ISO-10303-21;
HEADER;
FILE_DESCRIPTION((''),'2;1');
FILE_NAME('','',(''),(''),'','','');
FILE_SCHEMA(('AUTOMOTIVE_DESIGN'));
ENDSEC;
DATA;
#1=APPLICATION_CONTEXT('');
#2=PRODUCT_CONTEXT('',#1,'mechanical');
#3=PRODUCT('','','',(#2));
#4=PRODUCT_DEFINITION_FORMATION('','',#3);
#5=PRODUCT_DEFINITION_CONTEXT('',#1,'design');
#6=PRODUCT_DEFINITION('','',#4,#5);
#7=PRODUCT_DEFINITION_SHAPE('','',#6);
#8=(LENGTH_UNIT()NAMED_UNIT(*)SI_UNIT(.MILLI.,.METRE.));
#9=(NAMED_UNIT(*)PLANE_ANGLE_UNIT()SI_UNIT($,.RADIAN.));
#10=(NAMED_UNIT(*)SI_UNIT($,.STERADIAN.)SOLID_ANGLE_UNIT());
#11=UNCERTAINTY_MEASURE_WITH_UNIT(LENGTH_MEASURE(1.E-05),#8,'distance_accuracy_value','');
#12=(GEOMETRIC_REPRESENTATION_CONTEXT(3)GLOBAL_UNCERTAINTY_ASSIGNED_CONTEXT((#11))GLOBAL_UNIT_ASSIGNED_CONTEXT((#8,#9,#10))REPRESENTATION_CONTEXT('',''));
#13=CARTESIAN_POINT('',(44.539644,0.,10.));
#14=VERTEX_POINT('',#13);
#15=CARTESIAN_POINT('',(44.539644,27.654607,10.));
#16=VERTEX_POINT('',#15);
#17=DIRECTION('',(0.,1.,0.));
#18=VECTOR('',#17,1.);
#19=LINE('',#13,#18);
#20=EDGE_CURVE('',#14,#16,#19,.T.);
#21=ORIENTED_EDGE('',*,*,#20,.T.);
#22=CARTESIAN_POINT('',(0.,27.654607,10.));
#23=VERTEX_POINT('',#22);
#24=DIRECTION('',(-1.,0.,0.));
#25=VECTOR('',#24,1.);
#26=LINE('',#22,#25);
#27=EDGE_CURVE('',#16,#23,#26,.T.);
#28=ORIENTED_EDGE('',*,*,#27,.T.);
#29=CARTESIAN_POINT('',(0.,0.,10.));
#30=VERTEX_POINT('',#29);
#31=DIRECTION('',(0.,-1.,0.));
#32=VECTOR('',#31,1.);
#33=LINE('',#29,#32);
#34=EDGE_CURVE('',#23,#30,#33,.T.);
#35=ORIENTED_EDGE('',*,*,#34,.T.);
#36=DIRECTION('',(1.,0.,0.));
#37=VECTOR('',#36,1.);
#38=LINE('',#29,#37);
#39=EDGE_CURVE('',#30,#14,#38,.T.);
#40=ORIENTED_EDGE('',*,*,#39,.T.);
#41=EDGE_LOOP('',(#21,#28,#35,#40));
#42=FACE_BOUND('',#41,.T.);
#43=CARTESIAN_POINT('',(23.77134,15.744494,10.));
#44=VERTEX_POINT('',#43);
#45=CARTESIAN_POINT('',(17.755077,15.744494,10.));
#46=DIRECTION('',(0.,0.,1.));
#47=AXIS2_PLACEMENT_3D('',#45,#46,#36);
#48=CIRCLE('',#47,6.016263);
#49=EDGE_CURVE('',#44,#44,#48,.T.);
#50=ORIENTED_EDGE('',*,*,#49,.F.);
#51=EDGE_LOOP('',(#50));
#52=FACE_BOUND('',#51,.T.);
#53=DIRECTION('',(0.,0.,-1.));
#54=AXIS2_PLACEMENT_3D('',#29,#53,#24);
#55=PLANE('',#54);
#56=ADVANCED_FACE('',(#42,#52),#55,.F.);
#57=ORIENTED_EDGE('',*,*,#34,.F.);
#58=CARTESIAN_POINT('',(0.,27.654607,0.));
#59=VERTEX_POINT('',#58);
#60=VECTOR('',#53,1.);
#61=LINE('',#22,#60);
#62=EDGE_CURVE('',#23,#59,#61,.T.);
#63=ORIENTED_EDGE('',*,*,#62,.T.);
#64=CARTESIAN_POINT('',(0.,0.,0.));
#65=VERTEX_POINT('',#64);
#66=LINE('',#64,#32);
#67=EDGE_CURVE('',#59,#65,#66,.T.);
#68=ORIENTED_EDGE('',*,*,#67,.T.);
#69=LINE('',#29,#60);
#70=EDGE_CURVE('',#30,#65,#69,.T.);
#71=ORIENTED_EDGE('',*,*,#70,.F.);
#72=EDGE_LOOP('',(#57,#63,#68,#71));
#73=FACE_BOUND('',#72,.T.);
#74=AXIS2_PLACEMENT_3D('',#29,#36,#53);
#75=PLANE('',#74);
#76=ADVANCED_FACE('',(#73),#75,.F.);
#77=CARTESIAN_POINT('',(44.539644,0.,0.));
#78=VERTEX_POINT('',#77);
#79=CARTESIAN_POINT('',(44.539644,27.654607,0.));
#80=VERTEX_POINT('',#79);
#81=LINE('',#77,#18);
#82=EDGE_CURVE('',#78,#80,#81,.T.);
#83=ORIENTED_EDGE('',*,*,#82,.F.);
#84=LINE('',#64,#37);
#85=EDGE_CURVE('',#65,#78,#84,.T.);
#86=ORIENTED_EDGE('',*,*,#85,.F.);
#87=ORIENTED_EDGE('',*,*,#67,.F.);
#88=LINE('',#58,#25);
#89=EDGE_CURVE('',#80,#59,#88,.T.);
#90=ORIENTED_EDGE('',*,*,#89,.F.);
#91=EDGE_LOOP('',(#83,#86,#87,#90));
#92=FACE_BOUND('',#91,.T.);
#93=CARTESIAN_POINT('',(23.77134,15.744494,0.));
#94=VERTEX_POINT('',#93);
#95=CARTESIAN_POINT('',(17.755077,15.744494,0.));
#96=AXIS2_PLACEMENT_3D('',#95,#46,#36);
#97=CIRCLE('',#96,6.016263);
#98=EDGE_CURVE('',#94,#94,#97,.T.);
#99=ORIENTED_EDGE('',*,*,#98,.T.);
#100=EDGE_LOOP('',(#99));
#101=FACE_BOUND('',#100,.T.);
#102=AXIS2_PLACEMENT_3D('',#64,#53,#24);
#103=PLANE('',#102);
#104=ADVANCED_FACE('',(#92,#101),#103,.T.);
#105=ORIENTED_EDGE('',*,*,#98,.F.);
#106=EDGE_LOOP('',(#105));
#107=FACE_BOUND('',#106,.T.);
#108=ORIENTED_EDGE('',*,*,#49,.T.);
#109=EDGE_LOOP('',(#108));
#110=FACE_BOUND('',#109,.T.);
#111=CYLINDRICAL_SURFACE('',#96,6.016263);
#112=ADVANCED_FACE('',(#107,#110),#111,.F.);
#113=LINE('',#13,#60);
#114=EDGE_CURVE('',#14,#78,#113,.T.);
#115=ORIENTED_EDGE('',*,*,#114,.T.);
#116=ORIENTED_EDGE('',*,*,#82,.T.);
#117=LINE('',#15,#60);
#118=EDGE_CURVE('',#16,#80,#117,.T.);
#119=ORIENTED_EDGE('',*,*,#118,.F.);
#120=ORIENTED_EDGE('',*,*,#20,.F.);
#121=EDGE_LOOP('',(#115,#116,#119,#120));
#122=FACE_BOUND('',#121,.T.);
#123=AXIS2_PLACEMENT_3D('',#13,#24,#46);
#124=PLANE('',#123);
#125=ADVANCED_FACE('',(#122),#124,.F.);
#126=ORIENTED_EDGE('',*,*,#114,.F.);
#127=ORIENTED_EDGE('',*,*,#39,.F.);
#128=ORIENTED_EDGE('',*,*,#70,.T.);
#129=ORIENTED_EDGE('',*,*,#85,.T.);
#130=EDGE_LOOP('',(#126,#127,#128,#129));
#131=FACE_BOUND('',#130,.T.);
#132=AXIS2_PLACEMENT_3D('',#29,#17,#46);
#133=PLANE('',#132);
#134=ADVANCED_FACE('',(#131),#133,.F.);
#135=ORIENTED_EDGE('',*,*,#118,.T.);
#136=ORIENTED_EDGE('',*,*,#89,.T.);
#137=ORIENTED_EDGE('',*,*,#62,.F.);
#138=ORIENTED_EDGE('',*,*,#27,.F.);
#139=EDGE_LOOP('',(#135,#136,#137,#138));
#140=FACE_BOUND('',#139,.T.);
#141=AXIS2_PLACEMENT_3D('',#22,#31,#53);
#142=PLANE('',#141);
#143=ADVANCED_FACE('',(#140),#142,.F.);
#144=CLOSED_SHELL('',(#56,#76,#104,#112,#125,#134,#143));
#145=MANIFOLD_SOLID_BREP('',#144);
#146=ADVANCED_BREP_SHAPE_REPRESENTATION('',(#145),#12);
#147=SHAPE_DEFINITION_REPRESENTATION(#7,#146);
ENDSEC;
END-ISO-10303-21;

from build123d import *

# Parameters (mm, degrees)
CROQUIS1_W              = 44.539643558
CROQUIS1_H              = 27.654606742
SALIENTE_EXTRUIR1_DEPTH = 10
CROQUIS2_R              = 6.016262627
CORTAR_EXTRUIR1_DEPTH   = 10


with BuildPart() as part:
    # Croquis1 → Saliente-Extruir1 (new body)
    with BuildSketch(Plane.XY):
        with Locations((22.269821779, 13.827303371)):
            Rectangle(CROQUIS1_W, CROQUIS1_H)
    extrude(amount=SALIENTE_EXTRUIR1_DEPTH)

    # Croquis2 → Cortar-Extruir1 (cut)
    with BuildSketch(Plane.XY.offset(10)):
        with Locations((17.755077121, 15.744494071)):
            Circle(CROQUIS2_R)
    extrude(amount=-CORTAR_EXTRUIR1_DEPTH, mode=Mode.SUBTRACT)


solid = part.part
